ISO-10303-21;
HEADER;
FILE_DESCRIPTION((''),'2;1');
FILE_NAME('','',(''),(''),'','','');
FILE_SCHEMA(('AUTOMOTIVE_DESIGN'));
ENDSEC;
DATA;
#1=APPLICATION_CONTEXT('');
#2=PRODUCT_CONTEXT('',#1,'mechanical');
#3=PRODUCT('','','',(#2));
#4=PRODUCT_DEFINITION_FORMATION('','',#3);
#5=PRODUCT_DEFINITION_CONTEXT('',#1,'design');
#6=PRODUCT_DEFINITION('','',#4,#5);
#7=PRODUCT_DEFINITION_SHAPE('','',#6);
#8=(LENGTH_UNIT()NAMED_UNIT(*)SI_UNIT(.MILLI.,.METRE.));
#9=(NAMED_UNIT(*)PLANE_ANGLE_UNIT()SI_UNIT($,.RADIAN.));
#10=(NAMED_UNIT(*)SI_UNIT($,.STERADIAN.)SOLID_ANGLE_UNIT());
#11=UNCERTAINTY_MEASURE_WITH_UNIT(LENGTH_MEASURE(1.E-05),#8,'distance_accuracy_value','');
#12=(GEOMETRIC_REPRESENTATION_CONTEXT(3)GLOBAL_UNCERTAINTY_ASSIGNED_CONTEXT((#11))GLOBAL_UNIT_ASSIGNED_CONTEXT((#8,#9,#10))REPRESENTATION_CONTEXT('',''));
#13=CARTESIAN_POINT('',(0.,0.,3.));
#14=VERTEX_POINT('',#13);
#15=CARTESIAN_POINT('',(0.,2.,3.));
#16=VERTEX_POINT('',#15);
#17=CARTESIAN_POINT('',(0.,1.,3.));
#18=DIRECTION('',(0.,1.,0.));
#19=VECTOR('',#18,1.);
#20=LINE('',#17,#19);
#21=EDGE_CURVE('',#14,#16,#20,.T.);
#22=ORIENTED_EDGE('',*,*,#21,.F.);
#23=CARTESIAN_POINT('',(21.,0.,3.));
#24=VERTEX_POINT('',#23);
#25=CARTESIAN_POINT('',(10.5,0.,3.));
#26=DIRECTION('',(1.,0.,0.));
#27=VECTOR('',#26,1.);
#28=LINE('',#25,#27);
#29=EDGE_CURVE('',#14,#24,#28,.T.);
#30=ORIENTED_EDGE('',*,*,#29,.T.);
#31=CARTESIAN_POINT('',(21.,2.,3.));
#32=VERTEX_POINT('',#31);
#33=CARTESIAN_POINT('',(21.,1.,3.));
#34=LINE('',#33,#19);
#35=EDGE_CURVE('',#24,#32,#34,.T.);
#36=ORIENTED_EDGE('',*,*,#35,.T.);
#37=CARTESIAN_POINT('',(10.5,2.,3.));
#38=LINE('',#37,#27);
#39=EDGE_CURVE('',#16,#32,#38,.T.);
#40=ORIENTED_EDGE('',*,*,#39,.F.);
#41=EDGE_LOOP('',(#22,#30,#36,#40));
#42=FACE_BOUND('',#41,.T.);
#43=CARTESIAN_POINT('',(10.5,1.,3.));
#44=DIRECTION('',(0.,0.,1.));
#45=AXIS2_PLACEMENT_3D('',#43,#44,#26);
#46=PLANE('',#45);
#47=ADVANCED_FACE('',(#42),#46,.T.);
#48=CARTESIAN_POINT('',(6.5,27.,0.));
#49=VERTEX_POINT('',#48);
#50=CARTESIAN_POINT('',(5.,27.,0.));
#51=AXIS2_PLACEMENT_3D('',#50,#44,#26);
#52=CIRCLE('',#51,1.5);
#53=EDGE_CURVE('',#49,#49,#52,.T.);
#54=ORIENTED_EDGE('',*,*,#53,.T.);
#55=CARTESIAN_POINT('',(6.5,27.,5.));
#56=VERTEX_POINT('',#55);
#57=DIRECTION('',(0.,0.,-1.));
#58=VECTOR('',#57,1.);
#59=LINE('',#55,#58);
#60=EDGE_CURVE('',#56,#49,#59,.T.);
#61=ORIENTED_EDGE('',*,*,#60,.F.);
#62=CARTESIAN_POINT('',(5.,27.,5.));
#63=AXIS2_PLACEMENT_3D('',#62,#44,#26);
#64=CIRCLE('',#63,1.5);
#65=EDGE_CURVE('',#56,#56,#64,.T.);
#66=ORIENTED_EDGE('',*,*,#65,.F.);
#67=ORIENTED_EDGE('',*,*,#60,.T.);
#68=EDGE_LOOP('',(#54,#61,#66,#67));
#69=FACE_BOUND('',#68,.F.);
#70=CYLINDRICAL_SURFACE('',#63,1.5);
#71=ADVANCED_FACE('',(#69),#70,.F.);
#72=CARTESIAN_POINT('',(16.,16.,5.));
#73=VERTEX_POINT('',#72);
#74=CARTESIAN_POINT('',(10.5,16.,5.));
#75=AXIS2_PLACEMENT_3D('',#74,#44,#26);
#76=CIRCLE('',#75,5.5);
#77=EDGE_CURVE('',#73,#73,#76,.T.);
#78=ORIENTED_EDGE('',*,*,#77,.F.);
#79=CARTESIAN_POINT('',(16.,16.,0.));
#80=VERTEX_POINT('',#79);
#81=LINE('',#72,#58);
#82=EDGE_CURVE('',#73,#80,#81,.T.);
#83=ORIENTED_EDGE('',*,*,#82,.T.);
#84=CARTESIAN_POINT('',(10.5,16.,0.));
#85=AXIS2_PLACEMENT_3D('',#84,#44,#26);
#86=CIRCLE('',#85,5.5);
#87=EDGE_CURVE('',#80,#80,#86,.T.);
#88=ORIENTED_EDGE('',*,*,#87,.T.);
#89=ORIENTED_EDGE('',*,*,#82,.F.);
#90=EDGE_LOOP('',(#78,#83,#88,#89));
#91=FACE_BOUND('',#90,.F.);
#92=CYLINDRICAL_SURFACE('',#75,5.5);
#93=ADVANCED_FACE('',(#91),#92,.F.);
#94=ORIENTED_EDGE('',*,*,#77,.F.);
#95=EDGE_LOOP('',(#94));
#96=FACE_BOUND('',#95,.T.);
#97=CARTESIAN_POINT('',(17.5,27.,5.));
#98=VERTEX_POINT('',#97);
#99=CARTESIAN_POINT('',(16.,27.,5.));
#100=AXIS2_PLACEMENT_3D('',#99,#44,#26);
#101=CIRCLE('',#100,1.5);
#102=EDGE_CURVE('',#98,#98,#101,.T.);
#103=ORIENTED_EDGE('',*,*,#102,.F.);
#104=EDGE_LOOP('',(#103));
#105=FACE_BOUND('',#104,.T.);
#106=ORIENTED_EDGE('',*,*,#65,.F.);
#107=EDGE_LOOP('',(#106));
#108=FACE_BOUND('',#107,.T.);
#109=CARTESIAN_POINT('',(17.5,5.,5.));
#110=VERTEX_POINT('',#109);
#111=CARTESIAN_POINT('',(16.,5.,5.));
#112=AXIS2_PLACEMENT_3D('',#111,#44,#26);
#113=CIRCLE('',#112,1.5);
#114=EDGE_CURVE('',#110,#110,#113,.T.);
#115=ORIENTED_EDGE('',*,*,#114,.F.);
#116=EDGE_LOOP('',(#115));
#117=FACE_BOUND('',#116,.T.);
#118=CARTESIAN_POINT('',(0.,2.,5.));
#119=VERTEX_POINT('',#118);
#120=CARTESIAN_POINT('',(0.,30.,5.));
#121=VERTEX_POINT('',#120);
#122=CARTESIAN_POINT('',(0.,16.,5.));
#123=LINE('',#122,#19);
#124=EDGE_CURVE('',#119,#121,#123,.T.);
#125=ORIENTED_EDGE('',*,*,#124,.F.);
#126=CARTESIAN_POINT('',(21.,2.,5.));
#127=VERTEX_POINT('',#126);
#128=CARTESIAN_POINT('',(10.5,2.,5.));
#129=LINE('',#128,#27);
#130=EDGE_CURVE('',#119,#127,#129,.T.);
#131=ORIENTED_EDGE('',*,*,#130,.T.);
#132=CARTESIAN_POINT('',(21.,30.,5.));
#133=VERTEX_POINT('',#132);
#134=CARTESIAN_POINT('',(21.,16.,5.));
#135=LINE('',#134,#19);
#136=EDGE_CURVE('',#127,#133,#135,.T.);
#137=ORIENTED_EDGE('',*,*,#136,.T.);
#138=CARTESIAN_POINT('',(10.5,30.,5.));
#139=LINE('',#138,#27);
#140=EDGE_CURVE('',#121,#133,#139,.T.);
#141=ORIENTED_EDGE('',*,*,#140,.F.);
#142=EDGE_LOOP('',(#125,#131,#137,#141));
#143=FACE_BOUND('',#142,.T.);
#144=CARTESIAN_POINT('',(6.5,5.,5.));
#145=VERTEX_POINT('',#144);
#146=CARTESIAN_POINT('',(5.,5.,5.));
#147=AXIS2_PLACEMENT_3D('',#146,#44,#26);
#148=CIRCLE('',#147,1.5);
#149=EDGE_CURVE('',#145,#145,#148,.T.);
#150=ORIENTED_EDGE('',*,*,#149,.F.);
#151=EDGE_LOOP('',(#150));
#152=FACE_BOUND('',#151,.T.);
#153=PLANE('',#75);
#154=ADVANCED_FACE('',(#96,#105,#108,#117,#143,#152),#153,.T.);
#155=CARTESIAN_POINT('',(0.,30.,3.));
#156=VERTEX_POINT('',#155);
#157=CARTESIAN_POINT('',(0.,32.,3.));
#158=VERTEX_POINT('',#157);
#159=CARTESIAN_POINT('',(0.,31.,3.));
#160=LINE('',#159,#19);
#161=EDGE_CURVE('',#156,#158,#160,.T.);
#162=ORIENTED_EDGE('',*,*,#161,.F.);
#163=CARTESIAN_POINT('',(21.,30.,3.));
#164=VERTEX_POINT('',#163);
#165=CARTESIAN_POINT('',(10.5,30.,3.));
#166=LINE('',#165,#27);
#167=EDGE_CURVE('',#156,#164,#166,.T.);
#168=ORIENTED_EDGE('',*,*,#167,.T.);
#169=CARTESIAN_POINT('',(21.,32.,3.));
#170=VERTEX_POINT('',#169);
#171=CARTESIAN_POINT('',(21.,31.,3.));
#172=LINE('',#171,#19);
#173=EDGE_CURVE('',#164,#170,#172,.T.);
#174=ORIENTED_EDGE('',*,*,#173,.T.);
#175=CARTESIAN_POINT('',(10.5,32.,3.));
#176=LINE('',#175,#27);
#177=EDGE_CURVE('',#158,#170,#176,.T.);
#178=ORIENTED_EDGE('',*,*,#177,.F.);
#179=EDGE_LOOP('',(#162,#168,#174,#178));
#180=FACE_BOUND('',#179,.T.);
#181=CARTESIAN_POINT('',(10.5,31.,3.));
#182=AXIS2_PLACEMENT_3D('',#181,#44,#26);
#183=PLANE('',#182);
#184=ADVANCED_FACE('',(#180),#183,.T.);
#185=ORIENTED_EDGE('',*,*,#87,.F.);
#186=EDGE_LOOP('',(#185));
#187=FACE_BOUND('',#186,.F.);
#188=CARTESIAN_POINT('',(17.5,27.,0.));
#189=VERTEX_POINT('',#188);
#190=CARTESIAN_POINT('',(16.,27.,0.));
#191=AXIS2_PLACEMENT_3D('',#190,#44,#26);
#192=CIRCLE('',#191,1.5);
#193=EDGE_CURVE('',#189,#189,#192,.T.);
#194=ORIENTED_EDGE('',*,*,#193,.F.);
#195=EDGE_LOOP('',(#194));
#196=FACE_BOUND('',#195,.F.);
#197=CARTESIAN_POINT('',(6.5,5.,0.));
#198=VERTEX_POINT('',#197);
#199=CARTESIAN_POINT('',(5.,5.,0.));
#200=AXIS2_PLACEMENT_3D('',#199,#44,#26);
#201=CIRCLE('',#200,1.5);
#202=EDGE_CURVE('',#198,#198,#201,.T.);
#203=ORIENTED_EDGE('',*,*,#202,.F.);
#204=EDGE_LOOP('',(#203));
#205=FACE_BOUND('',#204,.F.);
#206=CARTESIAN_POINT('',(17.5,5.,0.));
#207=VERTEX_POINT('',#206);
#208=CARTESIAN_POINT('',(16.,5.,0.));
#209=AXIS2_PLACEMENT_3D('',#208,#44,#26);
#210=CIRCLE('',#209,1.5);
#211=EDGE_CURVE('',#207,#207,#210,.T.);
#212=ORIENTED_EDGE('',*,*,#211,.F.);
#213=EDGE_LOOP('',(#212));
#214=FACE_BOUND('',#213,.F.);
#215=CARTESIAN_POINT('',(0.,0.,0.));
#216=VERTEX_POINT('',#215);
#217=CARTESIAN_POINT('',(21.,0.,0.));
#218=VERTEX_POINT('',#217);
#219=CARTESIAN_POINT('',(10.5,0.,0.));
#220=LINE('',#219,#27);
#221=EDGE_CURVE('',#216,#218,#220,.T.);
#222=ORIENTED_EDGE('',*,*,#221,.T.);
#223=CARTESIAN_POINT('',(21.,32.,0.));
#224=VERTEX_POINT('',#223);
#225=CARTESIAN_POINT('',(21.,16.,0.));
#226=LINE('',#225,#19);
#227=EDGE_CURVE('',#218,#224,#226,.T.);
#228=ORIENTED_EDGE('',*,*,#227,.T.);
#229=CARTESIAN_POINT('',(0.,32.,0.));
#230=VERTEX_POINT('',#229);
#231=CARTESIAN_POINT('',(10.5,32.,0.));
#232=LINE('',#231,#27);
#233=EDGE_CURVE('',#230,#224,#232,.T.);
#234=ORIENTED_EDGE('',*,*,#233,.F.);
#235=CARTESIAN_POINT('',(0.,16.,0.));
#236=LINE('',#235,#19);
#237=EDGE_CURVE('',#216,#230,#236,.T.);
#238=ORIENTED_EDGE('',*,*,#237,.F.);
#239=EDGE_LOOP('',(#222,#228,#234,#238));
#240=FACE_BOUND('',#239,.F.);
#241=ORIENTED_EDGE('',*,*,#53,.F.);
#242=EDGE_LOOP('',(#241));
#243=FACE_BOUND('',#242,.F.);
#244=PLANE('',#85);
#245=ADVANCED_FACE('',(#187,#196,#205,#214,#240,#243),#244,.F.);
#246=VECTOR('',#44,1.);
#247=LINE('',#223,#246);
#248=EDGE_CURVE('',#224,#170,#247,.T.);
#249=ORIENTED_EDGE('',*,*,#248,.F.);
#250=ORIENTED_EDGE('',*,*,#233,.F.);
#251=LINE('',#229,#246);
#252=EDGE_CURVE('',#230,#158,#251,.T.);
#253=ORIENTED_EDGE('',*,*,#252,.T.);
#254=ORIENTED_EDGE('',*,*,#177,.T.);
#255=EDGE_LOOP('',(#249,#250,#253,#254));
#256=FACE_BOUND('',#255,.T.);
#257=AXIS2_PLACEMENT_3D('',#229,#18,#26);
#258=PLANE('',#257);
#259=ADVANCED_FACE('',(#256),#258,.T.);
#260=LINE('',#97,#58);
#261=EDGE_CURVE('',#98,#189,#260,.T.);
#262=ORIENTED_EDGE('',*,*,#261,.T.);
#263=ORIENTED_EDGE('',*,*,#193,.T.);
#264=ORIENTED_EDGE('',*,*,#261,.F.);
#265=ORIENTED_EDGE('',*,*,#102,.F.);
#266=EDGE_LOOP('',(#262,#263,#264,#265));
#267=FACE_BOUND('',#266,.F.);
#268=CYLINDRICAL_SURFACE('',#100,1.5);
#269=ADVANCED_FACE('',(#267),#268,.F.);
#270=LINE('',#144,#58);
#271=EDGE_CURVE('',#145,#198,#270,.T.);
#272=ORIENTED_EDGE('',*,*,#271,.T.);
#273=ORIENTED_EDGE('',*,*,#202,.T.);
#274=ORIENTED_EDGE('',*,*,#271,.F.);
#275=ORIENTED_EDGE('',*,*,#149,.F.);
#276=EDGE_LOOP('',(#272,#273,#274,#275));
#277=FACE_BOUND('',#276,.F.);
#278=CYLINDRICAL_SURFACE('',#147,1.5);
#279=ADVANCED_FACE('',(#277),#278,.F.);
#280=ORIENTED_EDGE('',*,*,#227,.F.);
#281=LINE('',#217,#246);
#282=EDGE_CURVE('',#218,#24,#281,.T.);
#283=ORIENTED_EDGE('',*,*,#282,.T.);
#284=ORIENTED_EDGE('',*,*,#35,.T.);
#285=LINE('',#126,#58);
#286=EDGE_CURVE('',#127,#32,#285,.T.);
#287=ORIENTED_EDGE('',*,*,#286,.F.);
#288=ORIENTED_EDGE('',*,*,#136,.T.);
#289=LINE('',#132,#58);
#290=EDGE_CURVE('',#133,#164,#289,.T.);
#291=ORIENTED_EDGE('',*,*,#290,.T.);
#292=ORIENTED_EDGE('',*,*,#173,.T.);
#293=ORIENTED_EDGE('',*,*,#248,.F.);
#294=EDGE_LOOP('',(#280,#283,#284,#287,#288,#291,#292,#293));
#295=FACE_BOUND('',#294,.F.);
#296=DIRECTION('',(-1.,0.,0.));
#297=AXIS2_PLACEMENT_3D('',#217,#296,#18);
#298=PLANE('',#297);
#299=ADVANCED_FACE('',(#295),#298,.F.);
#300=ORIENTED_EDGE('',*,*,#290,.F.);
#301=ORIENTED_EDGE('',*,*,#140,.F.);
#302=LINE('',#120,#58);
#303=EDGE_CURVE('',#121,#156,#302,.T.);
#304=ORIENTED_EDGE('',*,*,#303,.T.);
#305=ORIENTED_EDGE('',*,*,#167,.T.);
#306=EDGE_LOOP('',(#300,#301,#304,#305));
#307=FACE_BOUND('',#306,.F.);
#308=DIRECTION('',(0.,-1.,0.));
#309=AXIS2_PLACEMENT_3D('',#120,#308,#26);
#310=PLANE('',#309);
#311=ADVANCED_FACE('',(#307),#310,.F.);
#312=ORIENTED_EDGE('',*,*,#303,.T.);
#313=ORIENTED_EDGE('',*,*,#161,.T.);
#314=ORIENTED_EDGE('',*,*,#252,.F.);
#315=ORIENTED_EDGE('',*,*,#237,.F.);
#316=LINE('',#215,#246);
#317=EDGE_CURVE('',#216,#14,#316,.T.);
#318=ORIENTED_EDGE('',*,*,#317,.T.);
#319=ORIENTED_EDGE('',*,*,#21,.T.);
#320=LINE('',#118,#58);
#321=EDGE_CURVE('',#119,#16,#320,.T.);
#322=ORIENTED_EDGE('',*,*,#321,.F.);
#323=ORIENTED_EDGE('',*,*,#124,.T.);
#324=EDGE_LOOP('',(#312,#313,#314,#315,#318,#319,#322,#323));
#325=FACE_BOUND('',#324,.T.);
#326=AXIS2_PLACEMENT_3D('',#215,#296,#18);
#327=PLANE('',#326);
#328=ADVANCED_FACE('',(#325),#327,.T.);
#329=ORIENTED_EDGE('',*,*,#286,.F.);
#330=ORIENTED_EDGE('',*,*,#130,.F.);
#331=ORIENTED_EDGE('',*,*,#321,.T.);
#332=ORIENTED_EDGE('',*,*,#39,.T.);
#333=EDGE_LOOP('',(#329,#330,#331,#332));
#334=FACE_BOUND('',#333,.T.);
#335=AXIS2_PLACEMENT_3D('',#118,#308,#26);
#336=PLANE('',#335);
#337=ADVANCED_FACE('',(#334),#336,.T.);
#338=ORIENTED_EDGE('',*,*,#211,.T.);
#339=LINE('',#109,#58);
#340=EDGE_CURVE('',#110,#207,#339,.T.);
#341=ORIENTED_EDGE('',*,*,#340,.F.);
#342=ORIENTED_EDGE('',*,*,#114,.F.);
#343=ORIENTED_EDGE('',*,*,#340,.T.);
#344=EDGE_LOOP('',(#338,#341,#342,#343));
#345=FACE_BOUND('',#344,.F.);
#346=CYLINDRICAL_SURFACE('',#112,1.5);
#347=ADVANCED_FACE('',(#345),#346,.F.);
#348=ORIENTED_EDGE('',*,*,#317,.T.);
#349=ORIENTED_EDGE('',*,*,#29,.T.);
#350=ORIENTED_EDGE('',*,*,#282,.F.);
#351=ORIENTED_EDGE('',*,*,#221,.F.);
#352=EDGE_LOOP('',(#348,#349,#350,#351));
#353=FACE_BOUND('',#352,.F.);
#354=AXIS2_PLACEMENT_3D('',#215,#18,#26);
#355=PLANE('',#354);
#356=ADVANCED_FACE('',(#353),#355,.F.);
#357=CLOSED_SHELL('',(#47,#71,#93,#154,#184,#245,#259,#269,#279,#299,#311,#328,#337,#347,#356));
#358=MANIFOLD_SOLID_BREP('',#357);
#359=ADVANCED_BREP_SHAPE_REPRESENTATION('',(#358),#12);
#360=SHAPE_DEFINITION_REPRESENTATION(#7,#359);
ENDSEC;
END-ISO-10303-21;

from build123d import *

# Parameters (mm, degrees)
BOX_W           = 21
BOX_H           = 32
BOX_DEPTH       = 5
SKETCH_R        = 5.5
POCKET_DEPTH    = 5.001
SKETCH001_R     = 1.5
POCKET001_DEPTH = 5.001
SKETCH002_W     = 21
SKETCH002_H     = 2
POCKET002_DEPTH = 2


with BuildPart() as part:
    # Box → Box (new body)
    with BuildSketch(Plane.XY):
        with Locations((10.5, 16)):
            Rectangle(BOX_W, BOX_H)
    extrude(amount=BOX_DEPTH)

    # Sketch → Pocket (cut, through all)
    with BuildSketch(Plane.XY.offset(5)):
        with Locations((10.5, 16)):
            Circle(SKETCH_R)
    extrude(amount=-POCKET_DEPTH, mode=Mode.SUBTRACT)

    # Sketch001 → Pocket001 (cut, through all)
    with BuildSketch(Plane.XY.offset(5)):
        with Locations((5, 27)):
            Circle(SKETCH001_R)
        with Locations((16, 27)):
            Circle(SKETCH001_R)
        with Locations((5, 5)):
            Circle(SKETCH001_R)
        with Locations((16, 5)):
            Circle(SKETCH001_R)
    extrude(amount=-POCKET001_DEPTH, mode=Mode.SUBTRACT)

    # Sketch002 → Pocket002 (cut)
    with BuildSketch(Plane.XY.offset(5)):
        with Locations((10.5, 1)):
            Rectangle(SKETCH002_W, SKETCH002_H)
        with Locations((10.5, 31)):
            Rectangle(SKETCH002_W, SKETCH002_H)
    extrude(amount=-POCKET002_DEPTH, mode=Mode.SUBTRACT)


solid = part.part
